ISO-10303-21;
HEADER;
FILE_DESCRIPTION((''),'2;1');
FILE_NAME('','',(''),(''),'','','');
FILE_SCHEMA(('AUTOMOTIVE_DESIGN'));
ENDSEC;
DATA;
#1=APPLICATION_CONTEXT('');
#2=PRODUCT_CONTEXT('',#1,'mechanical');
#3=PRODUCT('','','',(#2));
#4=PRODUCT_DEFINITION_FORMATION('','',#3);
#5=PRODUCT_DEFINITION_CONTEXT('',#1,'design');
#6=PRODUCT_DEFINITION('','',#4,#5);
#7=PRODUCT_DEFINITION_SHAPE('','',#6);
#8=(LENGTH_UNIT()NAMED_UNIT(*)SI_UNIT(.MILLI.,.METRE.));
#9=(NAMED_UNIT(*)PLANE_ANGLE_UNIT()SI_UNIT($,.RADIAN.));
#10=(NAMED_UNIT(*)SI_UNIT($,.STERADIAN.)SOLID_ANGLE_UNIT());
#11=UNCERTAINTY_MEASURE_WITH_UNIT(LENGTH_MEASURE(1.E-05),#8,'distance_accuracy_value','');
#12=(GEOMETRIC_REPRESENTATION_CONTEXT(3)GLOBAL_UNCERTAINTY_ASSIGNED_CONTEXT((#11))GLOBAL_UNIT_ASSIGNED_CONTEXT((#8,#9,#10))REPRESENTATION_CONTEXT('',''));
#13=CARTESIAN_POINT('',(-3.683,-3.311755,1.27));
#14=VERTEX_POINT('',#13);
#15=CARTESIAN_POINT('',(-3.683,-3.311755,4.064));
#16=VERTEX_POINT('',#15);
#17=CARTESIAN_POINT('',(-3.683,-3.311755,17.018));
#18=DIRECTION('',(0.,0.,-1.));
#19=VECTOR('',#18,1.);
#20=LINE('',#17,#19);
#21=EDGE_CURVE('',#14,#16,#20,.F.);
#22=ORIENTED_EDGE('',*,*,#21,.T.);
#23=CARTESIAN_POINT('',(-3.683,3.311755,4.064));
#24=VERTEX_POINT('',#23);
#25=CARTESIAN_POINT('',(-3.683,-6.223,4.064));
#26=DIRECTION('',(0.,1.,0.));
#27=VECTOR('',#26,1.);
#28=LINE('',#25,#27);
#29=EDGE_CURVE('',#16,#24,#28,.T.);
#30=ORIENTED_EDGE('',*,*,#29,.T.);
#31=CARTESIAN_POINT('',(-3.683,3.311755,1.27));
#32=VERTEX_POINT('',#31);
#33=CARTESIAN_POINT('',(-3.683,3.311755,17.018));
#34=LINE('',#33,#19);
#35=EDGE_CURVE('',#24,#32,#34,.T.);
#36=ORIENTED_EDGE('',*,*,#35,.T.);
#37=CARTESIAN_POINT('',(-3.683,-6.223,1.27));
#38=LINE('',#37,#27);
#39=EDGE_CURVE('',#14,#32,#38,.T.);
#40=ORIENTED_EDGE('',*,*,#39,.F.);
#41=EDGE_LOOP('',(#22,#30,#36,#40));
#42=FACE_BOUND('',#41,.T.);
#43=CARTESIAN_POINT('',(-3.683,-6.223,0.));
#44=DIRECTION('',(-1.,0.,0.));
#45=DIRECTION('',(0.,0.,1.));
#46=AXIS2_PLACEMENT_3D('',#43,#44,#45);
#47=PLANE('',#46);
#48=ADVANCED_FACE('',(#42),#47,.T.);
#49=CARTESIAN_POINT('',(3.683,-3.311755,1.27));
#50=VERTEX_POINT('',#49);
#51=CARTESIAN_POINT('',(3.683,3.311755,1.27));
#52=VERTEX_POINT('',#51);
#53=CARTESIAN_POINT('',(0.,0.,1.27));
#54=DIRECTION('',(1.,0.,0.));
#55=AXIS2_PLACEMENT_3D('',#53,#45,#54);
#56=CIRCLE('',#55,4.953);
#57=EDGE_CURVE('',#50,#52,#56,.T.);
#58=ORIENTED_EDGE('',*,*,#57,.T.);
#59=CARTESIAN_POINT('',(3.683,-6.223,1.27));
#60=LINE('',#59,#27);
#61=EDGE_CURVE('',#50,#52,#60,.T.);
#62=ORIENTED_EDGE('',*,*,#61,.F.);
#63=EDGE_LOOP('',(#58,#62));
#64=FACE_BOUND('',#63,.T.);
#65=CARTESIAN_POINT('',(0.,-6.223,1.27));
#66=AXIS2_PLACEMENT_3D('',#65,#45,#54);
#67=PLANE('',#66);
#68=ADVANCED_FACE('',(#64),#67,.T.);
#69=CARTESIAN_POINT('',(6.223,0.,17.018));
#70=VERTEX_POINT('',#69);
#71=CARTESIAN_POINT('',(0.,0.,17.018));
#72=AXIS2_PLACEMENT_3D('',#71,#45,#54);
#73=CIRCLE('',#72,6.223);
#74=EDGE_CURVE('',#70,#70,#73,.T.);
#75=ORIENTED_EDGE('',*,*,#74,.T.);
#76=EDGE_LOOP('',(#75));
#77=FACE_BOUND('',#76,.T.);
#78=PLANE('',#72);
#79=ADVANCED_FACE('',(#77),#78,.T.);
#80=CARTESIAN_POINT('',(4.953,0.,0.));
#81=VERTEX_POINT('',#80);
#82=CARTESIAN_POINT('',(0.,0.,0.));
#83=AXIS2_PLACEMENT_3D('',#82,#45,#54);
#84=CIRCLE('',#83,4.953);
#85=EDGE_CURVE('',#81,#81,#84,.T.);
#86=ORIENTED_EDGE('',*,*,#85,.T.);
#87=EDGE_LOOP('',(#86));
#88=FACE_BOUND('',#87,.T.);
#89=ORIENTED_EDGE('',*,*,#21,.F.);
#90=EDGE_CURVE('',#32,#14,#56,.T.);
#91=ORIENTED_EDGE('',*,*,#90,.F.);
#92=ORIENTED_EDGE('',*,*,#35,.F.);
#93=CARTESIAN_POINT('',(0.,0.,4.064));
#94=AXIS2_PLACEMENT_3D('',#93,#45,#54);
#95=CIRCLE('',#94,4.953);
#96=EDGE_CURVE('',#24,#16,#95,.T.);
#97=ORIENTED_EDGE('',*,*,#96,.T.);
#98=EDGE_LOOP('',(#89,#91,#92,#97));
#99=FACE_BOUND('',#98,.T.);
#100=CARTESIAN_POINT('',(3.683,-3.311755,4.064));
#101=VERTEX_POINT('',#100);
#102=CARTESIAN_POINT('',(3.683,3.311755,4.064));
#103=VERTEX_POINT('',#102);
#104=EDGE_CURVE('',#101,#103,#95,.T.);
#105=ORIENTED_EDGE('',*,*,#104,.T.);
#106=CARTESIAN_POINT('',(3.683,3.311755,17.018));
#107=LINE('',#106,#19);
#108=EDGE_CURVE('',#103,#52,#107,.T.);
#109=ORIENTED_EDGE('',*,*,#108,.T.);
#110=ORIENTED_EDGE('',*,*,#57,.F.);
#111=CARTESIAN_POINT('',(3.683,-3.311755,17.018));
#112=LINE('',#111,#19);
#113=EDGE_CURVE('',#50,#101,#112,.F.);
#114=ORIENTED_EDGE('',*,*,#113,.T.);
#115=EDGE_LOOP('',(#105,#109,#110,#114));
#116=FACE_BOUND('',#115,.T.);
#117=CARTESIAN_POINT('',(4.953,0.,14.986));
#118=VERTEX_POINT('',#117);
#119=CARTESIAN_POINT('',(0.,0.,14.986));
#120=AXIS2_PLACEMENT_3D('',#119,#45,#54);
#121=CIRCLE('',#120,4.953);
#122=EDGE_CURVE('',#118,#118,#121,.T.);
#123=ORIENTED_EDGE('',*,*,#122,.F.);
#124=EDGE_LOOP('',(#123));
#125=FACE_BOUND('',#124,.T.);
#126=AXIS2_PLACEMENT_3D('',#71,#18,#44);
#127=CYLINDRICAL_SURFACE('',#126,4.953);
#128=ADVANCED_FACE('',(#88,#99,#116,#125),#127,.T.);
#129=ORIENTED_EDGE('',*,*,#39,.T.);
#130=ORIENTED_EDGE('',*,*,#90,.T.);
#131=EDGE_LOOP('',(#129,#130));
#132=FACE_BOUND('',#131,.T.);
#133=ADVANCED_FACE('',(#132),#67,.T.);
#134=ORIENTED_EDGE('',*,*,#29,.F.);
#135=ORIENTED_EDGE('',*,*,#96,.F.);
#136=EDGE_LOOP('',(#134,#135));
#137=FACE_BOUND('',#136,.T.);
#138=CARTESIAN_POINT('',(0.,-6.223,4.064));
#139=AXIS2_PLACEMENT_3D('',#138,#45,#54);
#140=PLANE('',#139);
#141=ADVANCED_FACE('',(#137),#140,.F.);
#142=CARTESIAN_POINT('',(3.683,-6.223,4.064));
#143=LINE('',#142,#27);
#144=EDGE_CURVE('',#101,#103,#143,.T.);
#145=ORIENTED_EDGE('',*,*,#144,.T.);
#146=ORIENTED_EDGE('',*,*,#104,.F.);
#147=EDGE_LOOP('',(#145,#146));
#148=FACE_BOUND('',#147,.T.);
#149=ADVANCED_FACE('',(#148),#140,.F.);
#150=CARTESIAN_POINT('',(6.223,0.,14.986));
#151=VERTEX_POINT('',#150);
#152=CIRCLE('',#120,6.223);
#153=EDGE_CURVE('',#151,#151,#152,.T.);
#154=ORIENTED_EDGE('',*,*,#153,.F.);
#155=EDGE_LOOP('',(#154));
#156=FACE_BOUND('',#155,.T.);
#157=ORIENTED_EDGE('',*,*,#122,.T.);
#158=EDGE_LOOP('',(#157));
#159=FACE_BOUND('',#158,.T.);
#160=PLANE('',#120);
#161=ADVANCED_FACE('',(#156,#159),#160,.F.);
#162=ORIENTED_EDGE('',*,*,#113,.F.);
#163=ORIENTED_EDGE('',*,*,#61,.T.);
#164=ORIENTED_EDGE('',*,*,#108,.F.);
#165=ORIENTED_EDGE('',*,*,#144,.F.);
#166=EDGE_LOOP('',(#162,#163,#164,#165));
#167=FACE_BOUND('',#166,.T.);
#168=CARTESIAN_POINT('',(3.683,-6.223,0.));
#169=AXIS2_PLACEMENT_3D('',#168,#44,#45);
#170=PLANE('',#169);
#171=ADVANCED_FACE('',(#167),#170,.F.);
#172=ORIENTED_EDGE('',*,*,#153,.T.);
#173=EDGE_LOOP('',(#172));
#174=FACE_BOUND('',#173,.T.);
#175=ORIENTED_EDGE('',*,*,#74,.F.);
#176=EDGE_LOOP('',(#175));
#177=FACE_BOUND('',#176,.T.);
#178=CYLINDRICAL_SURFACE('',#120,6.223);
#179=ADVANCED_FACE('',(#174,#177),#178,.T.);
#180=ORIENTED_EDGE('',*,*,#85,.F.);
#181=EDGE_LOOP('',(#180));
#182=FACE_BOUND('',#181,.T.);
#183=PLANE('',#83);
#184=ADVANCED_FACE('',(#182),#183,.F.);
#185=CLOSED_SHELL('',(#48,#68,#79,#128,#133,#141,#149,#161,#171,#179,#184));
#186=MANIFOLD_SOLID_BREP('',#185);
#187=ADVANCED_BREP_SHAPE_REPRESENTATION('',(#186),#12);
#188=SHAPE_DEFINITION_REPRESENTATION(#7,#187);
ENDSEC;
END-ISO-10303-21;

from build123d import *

# Parameters (mm, degrees)
SKETCH1_R               = 4.953
BOSS_EXTRUDE1_DEPTH     = 17.018
SKETCH2_R               = 6.223
BOSS_EXTRUDE2_DEPTH     = 2.032
CUT_EXTRUDE1_DEPTH      = 20.158908685
CUT_EXTRUDE1_DEPTH_BACK = 20.158908685
SKETCH3_W               = 1.27
SKETCH3_H               = 2.794


with BuildPart() as part:
    # Sketch1 → Boss-Extrude1 (new body)
    with BuildSketch(Plane.XY):
        Circle(SKETCH1_R)
    extrude(amount=BOSS_EXTRUDE1_DEPTH)

    # Sketch2 → Boss-Extrude2 (add)
    with BuildSketch(Plane.XY.offset(17.018)):
        Circle(SKETCH2_R)
    extrude(amount=-BOSS_EXTRUDE2_DEPTH)

    # Sketch3 → Cut-Extrude1 (cut, two sides: drawn at the far end of the back side and taken through both)
    with BuildSketch(Plane(origin=(0, 0, 0), x_dir=(1, 0, 0), z_dir=(0, 1, 0)).offset(-CUT_EXTRUDE1_DEPTH_BACK)):
        with Locations((4.318, -2.667)):
            Rectangle(SKETCH3_W, SKETCH3_H)
        with Locations((-4.318, -2.667)):
            Rectangle(SKETCH3_W, SKETCH3_H)
    extrude(amount=CUT_EXTRUDE1_DEPTH + CUT_EXTRUDE1_DEPTH_BACK, mode=Mode.SUBTRACT)


solid = part.part
